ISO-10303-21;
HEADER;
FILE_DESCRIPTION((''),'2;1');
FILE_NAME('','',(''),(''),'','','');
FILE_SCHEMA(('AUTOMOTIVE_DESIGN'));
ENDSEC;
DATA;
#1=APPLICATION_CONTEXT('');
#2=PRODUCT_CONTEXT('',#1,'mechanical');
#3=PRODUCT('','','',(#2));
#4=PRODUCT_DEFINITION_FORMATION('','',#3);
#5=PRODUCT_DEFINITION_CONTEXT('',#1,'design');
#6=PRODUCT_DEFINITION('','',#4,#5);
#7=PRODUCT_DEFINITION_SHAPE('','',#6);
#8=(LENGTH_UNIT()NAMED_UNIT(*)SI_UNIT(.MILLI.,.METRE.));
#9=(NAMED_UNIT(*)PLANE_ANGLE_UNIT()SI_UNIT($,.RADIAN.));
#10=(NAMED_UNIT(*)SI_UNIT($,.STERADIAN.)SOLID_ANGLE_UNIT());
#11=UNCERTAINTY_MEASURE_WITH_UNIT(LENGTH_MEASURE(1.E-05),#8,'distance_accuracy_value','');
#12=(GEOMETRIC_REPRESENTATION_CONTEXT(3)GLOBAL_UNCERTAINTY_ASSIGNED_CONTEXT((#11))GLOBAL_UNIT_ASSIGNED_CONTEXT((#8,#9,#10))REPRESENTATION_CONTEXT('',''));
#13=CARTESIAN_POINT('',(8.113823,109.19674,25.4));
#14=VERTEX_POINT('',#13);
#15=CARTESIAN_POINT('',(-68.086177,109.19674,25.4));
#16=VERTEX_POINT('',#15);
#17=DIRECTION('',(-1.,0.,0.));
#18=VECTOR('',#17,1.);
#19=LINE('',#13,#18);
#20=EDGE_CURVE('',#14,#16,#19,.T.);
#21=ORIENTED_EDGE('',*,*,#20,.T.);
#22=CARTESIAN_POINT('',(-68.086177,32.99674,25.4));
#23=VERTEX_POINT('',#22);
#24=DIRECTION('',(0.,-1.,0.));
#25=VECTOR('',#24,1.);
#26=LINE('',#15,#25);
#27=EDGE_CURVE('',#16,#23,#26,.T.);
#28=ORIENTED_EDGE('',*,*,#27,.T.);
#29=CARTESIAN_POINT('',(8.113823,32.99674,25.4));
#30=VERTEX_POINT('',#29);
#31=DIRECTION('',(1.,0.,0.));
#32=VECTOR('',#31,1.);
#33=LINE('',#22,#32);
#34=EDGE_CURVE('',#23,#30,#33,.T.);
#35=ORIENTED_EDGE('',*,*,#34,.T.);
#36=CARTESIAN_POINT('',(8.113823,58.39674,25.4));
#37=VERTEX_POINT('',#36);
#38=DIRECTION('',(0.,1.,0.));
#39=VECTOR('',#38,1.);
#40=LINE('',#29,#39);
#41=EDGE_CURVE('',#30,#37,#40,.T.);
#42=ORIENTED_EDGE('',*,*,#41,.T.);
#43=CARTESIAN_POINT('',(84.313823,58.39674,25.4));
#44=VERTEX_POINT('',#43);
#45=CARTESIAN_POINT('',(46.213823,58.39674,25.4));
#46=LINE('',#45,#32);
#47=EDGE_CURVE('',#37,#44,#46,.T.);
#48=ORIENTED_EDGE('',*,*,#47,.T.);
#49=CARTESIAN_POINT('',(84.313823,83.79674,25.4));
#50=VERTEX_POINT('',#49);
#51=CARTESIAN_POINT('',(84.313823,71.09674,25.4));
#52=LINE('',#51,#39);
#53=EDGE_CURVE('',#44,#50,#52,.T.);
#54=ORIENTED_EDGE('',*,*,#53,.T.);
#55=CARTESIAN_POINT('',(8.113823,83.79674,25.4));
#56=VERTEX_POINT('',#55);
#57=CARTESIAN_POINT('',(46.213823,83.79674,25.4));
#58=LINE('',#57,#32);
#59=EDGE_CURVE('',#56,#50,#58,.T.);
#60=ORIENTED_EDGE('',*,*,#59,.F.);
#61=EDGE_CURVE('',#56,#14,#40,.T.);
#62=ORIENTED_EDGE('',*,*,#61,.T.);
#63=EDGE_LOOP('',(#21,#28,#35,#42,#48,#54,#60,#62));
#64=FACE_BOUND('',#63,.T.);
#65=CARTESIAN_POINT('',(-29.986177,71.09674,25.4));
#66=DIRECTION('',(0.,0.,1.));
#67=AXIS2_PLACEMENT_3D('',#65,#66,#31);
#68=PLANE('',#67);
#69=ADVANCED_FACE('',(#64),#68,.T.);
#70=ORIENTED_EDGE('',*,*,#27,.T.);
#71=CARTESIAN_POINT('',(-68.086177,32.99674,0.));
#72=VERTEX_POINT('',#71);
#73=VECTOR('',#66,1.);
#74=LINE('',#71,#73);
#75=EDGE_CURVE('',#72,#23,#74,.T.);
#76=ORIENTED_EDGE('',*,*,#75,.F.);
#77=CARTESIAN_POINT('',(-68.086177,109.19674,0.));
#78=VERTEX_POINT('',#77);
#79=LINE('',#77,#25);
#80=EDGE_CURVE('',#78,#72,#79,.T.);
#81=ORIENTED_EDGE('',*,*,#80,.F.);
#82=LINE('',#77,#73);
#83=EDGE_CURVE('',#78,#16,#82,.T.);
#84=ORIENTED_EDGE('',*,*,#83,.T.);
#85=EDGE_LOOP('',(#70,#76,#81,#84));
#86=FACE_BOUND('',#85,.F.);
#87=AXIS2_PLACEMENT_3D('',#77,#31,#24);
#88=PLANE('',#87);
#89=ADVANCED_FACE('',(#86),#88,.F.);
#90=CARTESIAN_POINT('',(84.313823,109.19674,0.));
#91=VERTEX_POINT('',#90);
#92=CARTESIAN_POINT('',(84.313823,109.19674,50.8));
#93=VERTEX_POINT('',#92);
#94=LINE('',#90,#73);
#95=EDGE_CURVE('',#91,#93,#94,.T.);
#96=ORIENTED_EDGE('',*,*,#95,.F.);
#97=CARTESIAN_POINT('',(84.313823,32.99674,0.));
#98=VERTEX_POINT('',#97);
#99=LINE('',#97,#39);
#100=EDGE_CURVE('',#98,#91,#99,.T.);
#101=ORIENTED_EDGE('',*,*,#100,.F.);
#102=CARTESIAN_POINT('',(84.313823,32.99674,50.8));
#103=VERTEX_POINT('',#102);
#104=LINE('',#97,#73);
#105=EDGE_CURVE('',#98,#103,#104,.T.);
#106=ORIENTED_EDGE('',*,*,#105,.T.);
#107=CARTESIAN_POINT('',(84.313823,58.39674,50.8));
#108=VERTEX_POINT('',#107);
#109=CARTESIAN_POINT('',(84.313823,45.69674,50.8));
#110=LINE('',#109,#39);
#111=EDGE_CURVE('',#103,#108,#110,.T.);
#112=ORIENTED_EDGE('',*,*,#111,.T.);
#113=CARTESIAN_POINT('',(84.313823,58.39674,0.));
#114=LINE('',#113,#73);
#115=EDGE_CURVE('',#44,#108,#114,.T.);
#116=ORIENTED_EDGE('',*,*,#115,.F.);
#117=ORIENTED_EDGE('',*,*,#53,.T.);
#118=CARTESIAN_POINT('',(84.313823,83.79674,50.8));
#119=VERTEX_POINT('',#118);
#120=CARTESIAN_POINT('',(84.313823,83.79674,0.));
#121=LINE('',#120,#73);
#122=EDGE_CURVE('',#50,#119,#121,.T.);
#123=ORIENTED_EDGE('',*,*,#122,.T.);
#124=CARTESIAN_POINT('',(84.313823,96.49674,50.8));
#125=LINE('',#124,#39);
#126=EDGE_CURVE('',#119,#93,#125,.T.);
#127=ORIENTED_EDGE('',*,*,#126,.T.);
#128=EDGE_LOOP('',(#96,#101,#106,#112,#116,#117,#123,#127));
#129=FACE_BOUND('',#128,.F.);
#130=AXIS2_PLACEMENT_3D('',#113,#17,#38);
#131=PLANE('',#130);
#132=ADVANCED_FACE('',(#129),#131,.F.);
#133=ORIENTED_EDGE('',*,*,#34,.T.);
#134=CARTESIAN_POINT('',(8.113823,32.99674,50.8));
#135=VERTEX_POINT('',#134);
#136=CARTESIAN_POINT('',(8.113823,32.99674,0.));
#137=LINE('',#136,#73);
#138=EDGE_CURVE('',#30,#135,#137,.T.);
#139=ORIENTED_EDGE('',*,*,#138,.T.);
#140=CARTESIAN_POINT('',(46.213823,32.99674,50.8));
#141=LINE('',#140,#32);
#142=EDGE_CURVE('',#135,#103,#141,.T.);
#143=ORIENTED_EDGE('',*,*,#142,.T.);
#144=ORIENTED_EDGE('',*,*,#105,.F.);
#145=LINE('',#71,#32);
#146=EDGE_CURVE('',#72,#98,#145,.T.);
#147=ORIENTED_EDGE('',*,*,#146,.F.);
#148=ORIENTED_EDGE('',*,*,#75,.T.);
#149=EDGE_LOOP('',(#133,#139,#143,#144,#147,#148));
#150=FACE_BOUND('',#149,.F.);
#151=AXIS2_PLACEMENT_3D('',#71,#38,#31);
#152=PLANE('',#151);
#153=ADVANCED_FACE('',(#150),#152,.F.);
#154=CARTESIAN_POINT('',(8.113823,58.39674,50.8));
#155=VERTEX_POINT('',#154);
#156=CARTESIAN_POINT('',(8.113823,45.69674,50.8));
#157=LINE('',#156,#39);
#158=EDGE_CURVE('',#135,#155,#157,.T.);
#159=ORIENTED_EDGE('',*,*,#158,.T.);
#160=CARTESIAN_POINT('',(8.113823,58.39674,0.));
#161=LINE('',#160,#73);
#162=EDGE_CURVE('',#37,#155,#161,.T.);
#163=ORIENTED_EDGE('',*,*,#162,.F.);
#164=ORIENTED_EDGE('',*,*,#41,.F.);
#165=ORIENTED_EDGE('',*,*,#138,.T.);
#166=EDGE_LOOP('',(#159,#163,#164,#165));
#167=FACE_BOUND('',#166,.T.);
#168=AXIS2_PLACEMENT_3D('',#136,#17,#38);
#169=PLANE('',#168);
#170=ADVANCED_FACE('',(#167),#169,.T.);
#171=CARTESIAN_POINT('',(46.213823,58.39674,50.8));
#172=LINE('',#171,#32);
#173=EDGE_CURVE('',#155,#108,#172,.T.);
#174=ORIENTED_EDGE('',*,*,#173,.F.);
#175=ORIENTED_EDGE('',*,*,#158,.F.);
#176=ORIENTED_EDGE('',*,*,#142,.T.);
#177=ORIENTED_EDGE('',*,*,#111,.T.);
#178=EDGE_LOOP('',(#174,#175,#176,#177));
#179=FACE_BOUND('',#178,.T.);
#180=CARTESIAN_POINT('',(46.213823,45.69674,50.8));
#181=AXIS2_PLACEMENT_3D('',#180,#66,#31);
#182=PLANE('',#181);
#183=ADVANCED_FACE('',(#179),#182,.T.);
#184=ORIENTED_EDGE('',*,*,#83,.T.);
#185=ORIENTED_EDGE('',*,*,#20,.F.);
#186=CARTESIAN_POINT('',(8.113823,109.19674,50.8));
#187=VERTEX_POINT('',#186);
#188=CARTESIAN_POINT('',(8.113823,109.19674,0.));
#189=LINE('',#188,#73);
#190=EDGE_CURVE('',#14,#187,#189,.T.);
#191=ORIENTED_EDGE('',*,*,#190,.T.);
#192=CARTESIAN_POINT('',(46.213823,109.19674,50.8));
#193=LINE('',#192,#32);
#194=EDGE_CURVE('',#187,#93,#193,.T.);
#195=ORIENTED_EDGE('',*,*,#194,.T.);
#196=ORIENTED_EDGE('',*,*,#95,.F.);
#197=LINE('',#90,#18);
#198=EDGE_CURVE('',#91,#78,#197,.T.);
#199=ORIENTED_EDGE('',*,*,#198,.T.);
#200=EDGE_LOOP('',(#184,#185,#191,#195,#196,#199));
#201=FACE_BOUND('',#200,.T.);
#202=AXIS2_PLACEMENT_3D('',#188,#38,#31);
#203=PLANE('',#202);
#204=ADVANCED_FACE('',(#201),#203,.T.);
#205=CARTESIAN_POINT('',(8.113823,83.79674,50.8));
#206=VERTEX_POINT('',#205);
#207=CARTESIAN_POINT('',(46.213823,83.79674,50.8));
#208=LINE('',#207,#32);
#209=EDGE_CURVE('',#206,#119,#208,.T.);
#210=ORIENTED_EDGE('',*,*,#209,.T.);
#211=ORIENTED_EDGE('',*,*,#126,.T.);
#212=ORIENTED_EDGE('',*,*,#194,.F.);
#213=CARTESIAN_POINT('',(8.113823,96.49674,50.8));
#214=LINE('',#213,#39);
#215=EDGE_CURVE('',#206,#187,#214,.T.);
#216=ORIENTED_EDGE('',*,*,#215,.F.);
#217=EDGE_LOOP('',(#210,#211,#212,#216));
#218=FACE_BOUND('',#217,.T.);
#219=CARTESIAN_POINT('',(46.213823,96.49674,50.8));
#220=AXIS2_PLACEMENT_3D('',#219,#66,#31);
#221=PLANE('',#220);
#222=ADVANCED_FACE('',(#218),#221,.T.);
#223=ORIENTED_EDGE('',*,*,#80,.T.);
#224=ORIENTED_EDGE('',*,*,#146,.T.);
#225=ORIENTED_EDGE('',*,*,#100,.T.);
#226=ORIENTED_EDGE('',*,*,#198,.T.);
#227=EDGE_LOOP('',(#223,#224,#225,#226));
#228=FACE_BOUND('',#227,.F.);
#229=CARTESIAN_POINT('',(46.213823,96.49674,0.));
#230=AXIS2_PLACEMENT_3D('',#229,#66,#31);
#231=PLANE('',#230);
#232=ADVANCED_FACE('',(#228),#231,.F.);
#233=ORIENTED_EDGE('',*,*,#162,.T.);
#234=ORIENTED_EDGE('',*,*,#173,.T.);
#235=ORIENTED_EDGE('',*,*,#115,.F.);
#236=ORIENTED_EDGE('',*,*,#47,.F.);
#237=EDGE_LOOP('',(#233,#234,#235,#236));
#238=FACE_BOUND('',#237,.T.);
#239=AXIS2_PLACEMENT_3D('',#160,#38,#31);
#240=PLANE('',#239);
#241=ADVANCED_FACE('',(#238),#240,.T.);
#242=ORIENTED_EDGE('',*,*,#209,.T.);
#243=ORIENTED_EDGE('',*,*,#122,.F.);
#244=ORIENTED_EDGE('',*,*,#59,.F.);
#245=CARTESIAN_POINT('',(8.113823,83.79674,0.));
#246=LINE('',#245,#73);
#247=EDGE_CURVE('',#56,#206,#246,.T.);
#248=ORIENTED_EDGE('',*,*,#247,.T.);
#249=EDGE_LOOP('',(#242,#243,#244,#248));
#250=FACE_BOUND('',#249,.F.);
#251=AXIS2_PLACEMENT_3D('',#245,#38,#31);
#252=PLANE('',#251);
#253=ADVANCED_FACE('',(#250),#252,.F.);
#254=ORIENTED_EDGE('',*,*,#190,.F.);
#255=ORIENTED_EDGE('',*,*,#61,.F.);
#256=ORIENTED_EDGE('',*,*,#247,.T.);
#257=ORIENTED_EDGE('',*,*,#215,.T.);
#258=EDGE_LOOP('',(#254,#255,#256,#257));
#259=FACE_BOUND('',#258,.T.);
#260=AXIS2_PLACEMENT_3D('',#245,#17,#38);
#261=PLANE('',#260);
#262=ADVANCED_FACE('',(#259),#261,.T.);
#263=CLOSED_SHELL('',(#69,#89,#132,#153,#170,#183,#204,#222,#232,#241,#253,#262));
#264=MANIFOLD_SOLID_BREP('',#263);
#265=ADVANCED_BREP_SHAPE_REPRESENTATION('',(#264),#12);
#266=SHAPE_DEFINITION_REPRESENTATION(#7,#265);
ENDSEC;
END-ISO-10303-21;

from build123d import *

# Parameters (mm, degrees)
F0_W     = 76.2
F0_H     = 25.4
F1_DEPTH = 25.4
F2_DEPTH = 50.8


with BuildPart() as f1:
    # F0 (on Top) → F1 (new body)
    with BuildSketch(Plane.XY):
        Polygon((8.113823, 83.79674), (8.113823, 109.19674), (-68.086177, 109.19674), (-68.086177, 32.99674), (8.113823, 32.99674), (8.113823, 58.39674), align=None)
        with Locations((46.213823, 71.09674)):
            Rectangle(F0_W, F0_H)
    extrude(amount=F1_DEPTH)

    # F0 (on Top) → F2 (join)
    with BuildSketch(Plane.XY):
        with Locations((46.213823, 96.49674)):
            Rectangle(F0_W, F0_H)
        with Locations((46.213823, 45.69674)):
            Rectangle(F0_W, F0_H)
    extrude(amount=F2_DEPTH)


solid = f1.part
